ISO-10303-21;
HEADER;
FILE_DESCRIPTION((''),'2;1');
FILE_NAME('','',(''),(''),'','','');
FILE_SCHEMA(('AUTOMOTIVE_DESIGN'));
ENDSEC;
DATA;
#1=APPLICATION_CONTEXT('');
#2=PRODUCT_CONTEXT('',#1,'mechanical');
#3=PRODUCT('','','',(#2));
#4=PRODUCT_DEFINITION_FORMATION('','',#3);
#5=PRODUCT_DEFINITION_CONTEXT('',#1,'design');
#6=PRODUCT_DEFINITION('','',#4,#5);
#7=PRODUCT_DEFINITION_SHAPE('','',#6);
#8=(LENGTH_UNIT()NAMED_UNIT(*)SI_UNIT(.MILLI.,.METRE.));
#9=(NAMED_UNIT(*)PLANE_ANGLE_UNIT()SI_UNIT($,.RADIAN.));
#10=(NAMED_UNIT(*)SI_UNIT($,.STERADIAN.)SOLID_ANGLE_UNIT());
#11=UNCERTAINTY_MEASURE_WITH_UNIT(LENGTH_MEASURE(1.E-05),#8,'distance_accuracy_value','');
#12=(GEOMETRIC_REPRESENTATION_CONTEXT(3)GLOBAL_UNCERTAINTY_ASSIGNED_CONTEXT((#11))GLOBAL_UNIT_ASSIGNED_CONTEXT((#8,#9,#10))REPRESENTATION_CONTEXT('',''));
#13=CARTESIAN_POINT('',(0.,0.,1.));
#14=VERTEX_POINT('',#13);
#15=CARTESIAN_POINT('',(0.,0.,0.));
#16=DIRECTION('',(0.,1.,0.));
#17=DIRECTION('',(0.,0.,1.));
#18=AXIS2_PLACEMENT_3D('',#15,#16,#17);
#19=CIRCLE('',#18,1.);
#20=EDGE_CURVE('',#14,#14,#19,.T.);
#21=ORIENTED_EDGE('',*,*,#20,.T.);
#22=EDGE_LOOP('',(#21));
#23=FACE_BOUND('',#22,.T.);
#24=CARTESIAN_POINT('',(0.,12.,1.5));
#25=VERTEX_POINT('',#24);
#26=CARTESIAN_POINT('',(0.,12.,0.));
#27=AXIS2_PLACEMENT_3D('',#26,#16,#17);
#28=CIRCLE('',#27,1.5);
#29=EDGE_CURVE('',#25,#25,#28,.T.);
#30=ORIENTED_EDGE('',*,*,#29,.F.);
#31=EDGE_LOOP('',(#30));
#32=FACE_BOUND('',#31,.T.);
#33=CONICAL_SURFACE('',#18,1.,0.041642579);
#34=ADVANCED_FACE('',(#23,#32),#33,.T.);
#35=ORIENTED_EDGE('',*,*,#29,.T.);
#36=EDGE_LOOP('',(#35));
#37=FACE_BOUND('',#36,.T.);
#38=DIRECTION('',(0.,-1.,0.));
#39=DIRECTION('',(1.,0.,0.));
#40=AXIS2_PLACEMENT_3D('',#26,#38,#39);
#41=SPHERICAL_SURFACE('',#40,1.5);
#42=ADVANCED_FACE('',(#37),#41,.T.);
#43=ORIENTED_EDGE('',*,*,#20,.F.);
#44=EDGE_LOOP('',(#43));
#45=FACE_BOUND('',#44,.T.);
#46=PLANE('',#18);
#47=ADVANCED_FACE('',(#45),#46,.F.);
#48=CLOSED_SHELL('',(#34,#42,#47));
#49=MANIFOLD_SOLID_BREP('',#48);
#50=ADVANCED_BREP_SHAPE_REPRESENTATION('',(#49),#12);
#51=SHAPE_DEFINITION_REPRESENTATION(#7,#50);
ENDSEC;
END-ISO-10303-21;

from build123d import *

# Parameters (mm, degrees)
SKETCH1_R = 1
SKETCH2_R = 1.5


with BuildPart() as part:
    # Sketch1 → Loft1 section 0
    with BuildSketch(Plane(origin=(0, 0, 0), x_dir=(1, 0, 0), z_dir=(0, 1, 0))):
        Circle(SKETCH1_R)
    # Sketch2 → Loft1 section 1
    with BuildSketch(Plane(origin=(0, 12, 0), x_dir=(1, 0, 0), z_dir=(0, 1, 0))):
        Circle(SKETCH2_R)
    loft()

    # Sketch3 → Revolve1 (revolve)
    with BuildSketch(Plane.XY):
        with BuildLine():
            Line((0, 12), (1.5, 12))
            ThreePointArc((1.5, 12), (1.060660172, 13.060660172), (0, 13.5))
            Line((0, 13.5), (0, 12))
        make_face()
    revolve(axis=Axis((0, 0, 0), (0, 1, 0)))


solid = part.part
